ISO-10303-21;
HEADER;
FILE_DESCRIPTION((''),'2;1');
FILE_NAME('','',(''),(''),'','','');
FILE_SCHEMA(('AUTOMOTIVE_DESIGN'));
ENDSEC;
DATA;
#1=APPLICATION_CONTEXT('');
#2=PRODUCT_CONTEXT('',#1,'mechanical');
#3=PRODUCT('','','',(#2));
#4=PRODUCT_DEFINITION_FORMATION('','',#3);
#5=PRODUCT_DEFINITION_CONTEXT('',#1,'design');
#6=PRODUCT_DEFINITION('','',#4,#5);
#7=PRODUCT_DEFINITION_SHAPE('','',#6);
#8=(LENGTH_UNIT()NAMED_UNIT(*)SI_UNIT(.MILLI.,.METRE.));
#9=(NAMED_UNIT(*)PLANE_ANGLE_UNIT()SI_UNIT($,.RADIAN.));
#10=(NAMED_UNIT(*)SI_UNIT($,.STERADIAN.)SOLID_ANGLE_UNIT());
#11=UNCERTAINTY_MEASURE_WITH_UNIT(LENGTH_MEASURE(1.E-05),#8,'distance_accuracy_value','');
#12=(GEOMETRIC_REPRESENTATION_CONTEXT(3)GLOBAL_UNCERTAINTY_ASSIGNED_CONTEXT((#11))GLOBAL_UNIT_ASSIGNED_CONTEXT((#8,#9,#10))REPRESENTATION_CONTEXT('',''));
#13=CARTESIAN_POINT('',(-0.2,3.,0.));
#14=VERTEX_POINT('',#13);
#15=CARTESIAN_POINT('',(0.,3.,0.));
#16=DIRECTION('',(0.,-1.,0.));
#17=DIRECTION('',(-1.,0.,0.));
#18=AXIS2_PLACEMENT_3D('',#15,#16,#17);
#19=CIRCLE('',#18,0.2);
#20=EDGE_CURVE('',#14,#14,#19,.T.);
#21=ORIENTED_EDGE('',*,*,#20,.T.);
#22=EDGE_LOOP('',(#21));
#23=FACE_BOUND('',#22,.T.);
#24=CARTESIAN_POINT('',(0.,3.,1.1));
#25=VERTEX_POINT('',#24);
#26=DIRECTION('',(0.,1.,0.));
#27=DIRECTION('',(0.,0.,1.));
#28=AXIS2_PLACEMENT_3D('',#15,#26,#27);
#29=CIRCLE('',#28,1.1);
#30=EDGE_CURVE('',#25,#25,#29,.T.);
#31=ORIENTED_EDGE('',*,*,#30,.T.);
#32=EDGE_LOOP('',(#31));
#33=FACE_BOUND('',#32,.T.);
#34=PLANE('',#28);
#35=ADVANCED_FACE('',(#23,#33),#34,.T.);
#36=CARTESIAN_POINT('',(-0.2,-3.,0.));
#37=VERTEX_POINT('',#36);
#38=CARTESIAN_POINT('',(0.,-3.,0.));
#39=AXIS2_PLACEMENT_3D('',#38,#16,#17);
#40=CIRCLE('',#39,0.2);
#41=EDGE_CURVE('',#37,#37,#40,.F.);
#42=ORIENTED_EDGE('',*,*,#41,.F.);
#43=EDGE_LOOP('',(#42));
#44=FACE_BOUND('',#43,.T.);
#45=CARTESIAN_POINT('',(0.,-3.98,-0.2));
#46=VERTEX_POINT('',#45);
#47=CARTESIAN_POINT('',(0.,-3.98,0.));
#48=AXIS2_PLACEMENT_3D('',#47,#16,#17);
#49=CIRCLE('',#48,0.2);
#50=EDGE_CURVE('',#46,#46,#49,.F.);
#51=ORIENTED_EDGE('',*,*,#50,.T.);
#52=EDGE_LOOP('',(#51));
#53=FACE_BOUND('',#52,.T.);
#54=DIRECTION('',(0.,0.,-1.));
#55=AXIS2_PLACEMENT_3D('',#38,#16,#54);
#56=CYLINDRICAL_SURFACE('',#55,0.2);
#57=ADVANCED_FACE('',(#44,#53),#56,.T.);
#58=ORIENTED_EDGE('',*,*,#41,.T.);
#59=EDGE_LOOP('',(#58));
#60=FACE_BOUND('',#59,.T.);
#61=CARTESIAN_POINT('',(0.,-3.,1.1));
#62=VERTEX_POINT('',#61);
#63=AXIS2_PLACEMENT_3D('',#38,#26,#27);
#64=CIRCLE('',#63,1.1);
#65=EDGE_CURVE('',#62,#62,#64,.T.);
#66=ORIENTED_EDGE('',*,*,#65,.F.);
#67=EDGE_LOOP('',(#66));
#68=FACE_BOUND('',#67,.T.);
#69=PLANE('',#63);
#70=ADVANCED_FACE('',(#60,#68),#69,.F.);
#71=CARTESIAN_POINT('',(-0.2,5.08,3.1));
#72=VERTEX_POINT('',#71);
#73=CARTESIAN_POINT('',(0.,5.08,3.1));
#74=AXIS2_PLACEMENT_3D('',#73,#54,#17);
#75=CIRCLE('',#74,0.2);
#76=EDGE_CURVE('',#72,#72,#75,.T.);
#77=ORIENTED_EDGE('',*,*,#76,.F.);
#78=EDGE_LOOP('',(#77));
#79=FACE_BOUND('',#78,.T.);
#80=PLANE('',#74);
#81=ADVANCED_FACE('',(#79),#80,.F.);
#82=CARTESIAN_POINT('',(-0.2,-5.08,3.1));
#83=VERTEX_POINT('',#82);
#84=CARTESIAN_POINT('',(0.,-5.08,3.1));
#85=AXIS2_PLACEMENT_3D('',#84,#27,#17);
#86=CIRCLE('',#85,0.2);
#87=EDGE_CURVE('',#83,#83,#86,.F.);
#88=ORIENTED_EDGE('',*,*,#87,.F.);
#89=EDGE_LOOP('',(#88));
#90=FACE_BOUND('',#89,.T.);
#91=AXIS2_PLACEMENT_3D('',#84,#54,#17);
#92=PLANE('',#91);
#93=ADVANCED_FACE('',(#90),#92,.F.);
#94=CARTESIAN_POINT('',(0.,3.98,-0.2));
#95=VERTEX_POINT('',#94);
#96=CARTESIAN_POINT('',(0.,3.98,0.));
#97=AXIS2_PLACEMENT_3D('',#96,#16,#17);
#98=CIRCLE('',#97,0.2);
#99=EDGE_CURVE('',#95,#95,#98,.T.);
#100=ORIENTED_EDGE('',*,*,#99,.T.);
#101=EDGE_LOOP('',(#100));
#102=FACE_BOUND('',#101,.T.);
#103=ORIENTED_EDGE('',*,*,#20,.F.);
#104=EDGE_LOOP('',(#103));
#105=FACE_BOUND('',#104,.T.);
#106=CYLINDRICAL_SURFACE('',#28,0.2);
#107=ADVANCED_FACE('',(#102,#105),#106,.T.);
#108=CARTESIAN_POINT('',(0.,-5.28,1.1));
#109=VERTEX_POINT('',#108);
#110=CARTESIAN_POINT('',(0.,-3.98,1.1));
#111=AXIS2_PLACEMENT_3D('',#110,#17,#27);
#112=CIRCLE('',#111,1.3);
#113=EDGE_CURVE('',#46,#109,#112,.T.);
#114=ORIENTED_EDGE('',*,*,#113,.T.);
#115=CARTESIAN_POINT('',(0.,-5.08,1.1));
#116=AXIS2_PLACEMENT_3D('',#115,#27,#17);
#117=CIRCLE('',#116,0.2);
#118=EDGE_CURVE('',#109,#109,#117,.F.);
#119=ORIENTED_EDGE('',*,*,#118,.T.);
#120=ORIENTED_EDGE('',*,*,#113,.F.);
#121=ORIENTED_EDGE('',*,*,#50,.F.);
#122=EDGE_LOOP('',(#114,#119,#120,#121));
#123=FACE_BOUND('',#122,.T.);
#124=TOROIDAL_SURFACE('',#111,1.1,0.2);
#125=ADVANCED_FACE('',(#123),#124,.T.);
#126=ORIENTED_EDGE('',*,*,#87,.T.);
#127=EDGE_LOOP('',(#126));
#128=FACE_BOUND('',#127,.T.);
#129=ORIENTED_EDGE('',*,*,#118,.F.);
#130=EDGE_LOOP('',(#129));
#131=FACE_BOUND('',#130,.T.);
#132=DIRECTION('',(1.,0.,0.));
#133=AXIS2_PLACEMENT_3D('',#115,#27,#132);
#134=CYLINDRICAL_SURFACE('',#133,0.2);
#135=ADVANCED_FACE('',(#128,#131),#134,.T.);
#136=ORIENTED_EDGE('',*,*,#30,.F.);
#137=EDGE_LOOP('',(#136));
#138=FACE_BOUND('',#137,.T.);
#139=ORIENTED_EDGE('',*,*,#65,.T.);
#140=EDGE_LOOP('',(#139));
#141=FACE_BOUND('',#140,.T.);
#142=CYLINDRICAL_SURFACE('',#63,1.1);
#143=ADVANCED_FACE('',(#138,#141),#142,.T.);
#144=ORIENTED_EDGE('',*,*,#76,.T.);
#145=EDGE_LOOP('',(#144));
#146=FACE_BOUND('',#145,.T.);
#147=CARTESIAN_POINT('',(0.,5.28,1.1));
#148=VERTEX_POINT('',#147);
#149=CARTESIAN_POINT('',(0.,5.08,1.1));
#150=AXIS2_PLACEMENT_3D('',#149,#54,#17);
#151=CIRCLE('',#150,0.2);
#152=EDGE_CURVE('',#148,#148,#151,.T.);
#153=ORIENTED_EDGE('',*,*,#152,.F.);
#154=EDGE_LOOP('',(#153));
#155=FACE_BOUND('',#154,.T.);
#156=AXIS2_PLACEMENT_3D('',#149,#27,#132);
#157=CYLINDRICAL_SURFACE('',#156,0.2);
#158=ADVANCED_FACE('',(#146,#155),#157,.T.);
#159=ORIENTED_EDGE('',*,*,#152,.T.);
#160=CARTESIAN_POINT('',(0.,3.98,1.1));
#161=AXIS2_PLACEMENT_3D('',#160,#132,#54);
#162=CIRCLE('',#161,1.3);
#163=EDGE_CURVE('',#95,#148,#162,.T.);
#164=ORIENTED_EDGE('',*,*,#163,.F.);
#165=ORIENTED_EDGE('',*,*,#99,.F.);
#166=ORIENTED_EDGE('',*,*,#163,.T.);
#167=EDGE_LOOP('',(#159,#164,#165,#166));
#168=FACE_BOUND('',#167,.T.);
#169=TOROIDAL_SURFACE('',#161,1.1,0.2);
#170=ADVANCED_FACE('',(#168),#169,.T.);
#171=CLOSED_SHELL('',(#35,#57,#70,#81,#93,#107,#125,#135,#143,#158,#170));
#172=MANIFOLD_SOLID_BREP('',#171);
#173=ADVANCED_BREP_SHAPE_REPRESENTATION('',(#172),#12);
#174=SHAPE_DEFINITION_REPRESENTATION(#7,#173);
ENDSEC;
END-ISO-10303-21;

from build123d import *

# Parameters (mm, degrees)
BOSS_EXTRUDE1_DEPTH      = 3
BOSS_EXTRUDE1_DEPTH_BACK = 3
SKETCH2_R                = 1.1
SWEEP1_PROFILE_R         = 0.2


with BuildPart() as part:
    # Sketch2 → Boss-Extrude1 (new, two sides: drawn at the far end of the back side and taken through both)
    with BuildSketch(Plane(origin=(0, 0, 0), x_dir=(1, 0, 0), z_dir=(0, 1, 0)).offset(-BOSS_EXTRUDE1_DEPTH_BACK)):
        Circle(SKETCH2_R)
    extrude(amount=BOSS_EXTRUDE1_DEPTH + BOSS_EXTRUDE1_DEPTH_BACK)

    # Sweep1: sweep along a path in Sketch3
    with BuildLine(Plane(origin=(0, 0, 0), x_dir=(0, 0, -1), z_dir=(1, 0, 0))) as sweep1_path:
        Line((0, 3), (0, 3.98))
        ThreePointArc((0, 3.98), (-0.322182541, 4.757817459), (-1.1, 5.08))
        Line((-1.1, 5.08), (-3.1, 5.08))
    # Sweep1 profile (on start of the path) → Sweep1 (sweep)
    with BuildSketch(Plane.ZX.offset(3)):
        Circle(SWEEP1_PROFILE_R)
    sweep1 = sweep(path=sweep1_path.line)

    # Mirror1: Sweep1 across plane
    add(sweep1.mirror(Plane.ZX))


solid = part.part
